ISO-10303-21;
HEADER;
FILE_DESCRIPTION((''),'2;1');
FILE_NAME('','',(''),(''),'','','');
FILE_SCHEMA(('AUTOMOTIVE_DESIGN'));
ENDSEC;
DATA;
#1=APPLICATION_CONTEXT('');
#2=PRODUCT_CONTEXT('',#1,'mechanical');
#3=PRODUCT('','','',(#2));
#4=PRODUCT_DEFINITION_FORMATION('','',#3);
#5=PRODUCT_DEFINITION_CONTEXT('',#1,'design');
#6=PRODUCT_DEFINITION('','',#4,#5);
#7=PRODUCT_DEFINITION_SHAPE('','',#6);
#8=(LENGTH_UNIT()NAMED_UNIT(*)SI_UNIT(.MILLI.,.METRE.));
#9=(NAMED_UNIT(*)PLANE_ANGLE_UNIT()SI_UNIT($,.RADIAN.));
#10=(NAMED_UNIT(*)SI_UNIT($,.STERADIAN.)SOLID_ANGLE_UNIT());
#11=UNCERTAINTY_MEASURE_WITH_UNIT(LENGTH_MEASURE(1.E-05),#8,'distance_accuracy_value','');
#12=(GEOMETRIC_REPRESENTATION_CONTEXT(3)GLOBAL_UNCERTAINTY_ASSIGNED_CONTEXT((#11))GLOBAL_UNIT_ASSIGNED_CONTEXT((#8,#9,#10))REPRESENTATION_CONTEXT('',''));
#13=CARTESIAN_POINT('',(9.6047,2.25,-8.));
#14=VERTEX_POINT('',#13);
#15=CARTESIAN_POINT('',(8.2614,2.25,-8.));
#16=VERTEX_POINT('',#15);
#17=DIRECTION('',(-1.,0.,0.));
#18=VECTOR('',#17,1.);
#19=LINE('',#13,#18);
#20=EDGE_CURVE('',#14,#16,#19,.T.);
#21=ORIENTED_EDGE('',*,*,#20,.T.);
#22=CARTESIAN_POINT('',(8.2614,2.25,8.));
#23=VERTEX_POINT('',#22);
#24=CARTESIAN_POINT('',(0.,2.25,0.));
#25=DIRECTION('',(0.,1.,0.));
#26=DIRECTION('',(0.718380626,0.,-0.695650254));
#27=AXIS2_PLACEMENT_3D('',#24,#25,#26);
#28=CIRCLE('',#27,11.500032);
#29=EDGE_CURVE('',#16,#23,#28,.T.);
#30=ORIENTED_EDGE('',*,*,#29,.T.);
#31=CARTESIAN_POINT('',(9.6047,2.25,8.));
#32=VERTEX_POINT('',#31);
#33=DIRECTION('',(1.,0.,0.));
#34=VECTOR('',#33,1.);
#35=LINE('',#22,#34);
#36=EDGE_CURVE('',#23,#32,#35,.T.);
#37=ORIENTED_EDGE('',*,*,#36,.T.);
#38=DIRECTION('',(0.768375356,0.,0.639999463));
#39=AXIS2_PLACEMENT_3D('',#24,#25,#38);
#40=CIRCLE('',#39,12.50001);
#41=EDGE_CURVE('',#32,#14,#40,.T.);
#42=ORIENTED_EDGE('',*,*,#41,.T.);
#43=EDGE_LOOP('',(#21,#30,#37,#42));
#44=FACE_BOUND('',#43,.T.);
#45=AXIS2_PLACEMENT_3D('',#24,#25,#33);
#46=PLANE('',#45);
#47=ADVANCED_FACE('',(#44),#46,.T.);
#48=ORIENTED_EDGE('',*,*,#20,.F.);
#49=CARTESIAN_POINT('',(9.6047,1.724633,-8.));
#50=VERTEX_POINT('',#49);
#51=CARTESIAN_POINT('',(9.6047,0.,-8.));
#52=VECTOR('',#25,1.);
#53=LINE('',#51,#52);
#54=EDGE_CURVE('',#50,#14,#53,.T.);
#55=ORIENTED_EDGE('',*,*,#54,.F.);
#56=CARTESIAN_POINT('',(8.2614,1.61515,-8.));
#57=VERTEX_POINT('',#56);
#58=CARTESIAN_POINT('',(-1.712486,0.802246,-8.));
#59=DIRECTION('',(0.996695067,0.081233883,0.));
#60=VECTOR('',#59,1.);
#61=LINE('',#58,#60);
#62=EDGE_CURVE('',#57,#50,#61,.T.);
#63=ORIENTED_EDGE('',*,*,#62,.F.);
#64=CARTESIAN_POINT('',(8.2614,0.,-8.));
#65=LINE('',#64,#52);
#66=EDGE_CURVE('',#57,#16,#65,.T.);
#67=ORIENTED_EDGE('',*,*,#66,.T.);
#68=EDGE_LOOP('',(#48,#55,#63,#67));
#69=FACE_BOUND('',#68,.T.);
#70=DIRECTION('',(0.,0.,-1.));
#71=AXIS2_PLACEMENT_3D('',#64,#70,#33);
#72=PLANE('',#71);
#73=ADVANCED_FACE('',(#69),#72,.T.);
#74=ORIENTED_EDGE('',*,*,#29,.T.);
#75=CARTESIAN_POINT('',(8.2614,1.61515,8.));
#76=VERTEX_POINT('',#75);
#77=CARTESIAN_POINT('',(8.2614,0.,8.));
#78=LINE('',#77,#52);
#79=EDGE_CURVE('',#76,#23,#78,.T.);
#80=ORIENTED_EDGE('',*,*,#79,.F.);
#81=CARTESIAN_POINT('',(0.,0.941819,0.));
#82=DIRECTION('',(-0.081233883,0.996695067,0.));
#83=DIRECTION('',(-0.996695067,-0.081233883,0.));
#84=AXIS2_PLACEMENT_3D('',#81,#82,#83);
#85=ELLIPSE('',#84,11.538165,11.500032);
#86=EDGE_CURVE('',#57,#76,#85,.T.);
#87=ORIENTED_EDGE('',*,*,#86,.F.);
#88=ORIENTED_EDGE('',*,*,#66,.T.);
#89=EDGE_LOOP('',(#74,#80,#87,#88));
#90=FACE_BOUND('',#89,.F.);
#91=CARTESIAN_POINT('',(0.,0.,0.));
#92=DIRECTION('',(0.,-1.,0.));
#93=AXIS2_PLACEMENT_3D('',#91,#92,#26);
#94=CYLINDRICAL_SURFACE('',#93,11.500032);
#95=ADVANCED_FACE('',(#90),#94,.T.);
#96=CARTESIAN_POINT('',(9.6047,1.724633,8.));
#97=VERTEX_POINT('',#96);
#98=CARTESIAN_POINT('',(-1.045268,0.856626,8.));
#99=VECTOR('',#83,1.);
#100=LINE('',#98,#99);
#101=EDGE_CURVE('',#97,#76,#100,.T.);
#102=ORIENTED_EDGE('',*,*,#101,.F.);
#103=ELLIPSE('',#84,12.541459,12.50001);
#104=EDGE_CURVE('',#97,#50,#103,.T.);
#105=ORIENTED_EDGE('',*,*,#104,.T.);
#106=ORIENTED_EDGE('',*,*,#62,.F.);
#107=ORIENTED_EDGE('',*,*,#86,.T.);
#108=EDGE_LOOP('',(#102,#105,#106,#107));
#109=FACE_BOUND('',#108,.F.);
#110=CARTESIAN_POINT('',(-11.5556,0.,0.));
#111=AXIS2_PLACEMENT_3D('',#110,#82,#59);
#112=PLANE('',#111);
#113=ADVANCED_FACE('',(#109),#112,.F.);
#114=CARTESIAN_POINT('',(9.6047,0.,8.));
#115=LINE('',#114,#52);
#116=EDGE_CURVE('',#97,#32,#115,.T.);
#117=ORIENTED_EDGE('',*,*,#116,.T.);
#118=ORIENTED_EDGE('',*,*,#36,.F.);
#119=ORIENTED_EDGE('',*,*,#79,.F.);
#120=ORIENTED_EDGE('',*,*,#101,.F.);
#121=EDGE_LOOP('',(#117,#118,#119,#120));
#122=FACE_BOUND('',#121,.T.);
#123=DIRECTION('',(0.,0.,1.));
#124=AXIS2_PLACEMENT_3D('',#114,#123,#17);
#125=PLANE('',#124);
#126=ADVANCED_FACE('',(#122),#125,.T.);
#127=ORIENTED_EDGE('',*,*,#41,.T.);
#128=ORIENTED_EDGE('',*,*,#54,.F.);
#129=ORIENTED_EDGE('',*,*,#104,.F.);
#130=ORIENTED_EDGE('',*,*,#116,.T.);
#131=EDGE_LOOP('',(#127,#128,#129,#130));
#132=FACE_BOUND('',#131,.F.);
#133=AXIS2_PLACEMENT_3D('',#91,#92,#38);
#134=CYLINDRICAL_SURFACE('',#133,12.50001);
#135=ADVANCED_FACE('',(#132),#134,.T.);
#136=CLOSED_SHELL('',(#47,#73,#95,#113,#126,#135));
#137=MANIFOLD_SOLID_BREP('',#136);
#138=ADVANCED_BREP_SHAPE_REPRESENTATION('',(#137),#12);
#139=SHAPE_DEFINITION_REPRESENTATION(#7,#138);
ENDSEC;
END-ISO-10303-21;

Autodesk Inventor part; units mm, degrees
ref_plane "YZ Plane" through (0, 0, 0) normal (1, 0, 0) x (0, 1, 0)
ref_plane "XZ Plane" through (0, 0, 0) normal (0, 1, 0) x (-1, 0, 0)
ref_plane "XY Plane" through (0, 0, 0) normal (0, 0, 1) x (1, 0, 0)
sketch "Sketch1" plane through (0, 0, 0) normal (0, 1, 0) x (-1, 0, 0)
  arc A0 (-8.2614, -8) -> (-8.2614, 8) centre (0, 0) ccw
  line L0 (-9.6047, 8) -> (-8.2614, 8)
  arc A1 (-9.6047, 8) -> (-9.6047, -8) centre (0, 0) ccw
  line L1 (-8.2614, -8) -> (-9.6047, -8)
extrude "Extrusion1" add sketch "Sketch1" along normal blind 3
sketch "Sketch2" plane through (0, 0, 0) normal (0, 0, 1) x (1, 0, 0)
  line L0 (12.9833, 2.607) -> (12.9833, 0)
  line L1 (12.9833, 0) -> (-11.5556, 0)
  line L2 (-11.5556, 0) -> (12.9833, 2)
  point P0 (0, 0)
extrude "Extrusion2" cut sketch "Sketch2" along normal mid plane 26.25
sketch "Sketch3" plane through (0, 3, 0) normal (0, 1, 0) x (1, 0, 0)
  line L0 (9.6047, 8) -> (8.2614, 8) projected
  arc A0 (8.2614, 8) -> (8.2614, -8) centre (0, 0) ccw projected
  line L1 (8.2614, -8) -> (9.6047, -8) projected
  arc A1 (9.6047, -8) -> (9.6047, 8) centre (0, 0) ccw projected
extrude "Extrusion3" cut sketch "Sketch3" against normal blind 0.75
properties part number "5_grader_adapter" material "S355J2+N"
